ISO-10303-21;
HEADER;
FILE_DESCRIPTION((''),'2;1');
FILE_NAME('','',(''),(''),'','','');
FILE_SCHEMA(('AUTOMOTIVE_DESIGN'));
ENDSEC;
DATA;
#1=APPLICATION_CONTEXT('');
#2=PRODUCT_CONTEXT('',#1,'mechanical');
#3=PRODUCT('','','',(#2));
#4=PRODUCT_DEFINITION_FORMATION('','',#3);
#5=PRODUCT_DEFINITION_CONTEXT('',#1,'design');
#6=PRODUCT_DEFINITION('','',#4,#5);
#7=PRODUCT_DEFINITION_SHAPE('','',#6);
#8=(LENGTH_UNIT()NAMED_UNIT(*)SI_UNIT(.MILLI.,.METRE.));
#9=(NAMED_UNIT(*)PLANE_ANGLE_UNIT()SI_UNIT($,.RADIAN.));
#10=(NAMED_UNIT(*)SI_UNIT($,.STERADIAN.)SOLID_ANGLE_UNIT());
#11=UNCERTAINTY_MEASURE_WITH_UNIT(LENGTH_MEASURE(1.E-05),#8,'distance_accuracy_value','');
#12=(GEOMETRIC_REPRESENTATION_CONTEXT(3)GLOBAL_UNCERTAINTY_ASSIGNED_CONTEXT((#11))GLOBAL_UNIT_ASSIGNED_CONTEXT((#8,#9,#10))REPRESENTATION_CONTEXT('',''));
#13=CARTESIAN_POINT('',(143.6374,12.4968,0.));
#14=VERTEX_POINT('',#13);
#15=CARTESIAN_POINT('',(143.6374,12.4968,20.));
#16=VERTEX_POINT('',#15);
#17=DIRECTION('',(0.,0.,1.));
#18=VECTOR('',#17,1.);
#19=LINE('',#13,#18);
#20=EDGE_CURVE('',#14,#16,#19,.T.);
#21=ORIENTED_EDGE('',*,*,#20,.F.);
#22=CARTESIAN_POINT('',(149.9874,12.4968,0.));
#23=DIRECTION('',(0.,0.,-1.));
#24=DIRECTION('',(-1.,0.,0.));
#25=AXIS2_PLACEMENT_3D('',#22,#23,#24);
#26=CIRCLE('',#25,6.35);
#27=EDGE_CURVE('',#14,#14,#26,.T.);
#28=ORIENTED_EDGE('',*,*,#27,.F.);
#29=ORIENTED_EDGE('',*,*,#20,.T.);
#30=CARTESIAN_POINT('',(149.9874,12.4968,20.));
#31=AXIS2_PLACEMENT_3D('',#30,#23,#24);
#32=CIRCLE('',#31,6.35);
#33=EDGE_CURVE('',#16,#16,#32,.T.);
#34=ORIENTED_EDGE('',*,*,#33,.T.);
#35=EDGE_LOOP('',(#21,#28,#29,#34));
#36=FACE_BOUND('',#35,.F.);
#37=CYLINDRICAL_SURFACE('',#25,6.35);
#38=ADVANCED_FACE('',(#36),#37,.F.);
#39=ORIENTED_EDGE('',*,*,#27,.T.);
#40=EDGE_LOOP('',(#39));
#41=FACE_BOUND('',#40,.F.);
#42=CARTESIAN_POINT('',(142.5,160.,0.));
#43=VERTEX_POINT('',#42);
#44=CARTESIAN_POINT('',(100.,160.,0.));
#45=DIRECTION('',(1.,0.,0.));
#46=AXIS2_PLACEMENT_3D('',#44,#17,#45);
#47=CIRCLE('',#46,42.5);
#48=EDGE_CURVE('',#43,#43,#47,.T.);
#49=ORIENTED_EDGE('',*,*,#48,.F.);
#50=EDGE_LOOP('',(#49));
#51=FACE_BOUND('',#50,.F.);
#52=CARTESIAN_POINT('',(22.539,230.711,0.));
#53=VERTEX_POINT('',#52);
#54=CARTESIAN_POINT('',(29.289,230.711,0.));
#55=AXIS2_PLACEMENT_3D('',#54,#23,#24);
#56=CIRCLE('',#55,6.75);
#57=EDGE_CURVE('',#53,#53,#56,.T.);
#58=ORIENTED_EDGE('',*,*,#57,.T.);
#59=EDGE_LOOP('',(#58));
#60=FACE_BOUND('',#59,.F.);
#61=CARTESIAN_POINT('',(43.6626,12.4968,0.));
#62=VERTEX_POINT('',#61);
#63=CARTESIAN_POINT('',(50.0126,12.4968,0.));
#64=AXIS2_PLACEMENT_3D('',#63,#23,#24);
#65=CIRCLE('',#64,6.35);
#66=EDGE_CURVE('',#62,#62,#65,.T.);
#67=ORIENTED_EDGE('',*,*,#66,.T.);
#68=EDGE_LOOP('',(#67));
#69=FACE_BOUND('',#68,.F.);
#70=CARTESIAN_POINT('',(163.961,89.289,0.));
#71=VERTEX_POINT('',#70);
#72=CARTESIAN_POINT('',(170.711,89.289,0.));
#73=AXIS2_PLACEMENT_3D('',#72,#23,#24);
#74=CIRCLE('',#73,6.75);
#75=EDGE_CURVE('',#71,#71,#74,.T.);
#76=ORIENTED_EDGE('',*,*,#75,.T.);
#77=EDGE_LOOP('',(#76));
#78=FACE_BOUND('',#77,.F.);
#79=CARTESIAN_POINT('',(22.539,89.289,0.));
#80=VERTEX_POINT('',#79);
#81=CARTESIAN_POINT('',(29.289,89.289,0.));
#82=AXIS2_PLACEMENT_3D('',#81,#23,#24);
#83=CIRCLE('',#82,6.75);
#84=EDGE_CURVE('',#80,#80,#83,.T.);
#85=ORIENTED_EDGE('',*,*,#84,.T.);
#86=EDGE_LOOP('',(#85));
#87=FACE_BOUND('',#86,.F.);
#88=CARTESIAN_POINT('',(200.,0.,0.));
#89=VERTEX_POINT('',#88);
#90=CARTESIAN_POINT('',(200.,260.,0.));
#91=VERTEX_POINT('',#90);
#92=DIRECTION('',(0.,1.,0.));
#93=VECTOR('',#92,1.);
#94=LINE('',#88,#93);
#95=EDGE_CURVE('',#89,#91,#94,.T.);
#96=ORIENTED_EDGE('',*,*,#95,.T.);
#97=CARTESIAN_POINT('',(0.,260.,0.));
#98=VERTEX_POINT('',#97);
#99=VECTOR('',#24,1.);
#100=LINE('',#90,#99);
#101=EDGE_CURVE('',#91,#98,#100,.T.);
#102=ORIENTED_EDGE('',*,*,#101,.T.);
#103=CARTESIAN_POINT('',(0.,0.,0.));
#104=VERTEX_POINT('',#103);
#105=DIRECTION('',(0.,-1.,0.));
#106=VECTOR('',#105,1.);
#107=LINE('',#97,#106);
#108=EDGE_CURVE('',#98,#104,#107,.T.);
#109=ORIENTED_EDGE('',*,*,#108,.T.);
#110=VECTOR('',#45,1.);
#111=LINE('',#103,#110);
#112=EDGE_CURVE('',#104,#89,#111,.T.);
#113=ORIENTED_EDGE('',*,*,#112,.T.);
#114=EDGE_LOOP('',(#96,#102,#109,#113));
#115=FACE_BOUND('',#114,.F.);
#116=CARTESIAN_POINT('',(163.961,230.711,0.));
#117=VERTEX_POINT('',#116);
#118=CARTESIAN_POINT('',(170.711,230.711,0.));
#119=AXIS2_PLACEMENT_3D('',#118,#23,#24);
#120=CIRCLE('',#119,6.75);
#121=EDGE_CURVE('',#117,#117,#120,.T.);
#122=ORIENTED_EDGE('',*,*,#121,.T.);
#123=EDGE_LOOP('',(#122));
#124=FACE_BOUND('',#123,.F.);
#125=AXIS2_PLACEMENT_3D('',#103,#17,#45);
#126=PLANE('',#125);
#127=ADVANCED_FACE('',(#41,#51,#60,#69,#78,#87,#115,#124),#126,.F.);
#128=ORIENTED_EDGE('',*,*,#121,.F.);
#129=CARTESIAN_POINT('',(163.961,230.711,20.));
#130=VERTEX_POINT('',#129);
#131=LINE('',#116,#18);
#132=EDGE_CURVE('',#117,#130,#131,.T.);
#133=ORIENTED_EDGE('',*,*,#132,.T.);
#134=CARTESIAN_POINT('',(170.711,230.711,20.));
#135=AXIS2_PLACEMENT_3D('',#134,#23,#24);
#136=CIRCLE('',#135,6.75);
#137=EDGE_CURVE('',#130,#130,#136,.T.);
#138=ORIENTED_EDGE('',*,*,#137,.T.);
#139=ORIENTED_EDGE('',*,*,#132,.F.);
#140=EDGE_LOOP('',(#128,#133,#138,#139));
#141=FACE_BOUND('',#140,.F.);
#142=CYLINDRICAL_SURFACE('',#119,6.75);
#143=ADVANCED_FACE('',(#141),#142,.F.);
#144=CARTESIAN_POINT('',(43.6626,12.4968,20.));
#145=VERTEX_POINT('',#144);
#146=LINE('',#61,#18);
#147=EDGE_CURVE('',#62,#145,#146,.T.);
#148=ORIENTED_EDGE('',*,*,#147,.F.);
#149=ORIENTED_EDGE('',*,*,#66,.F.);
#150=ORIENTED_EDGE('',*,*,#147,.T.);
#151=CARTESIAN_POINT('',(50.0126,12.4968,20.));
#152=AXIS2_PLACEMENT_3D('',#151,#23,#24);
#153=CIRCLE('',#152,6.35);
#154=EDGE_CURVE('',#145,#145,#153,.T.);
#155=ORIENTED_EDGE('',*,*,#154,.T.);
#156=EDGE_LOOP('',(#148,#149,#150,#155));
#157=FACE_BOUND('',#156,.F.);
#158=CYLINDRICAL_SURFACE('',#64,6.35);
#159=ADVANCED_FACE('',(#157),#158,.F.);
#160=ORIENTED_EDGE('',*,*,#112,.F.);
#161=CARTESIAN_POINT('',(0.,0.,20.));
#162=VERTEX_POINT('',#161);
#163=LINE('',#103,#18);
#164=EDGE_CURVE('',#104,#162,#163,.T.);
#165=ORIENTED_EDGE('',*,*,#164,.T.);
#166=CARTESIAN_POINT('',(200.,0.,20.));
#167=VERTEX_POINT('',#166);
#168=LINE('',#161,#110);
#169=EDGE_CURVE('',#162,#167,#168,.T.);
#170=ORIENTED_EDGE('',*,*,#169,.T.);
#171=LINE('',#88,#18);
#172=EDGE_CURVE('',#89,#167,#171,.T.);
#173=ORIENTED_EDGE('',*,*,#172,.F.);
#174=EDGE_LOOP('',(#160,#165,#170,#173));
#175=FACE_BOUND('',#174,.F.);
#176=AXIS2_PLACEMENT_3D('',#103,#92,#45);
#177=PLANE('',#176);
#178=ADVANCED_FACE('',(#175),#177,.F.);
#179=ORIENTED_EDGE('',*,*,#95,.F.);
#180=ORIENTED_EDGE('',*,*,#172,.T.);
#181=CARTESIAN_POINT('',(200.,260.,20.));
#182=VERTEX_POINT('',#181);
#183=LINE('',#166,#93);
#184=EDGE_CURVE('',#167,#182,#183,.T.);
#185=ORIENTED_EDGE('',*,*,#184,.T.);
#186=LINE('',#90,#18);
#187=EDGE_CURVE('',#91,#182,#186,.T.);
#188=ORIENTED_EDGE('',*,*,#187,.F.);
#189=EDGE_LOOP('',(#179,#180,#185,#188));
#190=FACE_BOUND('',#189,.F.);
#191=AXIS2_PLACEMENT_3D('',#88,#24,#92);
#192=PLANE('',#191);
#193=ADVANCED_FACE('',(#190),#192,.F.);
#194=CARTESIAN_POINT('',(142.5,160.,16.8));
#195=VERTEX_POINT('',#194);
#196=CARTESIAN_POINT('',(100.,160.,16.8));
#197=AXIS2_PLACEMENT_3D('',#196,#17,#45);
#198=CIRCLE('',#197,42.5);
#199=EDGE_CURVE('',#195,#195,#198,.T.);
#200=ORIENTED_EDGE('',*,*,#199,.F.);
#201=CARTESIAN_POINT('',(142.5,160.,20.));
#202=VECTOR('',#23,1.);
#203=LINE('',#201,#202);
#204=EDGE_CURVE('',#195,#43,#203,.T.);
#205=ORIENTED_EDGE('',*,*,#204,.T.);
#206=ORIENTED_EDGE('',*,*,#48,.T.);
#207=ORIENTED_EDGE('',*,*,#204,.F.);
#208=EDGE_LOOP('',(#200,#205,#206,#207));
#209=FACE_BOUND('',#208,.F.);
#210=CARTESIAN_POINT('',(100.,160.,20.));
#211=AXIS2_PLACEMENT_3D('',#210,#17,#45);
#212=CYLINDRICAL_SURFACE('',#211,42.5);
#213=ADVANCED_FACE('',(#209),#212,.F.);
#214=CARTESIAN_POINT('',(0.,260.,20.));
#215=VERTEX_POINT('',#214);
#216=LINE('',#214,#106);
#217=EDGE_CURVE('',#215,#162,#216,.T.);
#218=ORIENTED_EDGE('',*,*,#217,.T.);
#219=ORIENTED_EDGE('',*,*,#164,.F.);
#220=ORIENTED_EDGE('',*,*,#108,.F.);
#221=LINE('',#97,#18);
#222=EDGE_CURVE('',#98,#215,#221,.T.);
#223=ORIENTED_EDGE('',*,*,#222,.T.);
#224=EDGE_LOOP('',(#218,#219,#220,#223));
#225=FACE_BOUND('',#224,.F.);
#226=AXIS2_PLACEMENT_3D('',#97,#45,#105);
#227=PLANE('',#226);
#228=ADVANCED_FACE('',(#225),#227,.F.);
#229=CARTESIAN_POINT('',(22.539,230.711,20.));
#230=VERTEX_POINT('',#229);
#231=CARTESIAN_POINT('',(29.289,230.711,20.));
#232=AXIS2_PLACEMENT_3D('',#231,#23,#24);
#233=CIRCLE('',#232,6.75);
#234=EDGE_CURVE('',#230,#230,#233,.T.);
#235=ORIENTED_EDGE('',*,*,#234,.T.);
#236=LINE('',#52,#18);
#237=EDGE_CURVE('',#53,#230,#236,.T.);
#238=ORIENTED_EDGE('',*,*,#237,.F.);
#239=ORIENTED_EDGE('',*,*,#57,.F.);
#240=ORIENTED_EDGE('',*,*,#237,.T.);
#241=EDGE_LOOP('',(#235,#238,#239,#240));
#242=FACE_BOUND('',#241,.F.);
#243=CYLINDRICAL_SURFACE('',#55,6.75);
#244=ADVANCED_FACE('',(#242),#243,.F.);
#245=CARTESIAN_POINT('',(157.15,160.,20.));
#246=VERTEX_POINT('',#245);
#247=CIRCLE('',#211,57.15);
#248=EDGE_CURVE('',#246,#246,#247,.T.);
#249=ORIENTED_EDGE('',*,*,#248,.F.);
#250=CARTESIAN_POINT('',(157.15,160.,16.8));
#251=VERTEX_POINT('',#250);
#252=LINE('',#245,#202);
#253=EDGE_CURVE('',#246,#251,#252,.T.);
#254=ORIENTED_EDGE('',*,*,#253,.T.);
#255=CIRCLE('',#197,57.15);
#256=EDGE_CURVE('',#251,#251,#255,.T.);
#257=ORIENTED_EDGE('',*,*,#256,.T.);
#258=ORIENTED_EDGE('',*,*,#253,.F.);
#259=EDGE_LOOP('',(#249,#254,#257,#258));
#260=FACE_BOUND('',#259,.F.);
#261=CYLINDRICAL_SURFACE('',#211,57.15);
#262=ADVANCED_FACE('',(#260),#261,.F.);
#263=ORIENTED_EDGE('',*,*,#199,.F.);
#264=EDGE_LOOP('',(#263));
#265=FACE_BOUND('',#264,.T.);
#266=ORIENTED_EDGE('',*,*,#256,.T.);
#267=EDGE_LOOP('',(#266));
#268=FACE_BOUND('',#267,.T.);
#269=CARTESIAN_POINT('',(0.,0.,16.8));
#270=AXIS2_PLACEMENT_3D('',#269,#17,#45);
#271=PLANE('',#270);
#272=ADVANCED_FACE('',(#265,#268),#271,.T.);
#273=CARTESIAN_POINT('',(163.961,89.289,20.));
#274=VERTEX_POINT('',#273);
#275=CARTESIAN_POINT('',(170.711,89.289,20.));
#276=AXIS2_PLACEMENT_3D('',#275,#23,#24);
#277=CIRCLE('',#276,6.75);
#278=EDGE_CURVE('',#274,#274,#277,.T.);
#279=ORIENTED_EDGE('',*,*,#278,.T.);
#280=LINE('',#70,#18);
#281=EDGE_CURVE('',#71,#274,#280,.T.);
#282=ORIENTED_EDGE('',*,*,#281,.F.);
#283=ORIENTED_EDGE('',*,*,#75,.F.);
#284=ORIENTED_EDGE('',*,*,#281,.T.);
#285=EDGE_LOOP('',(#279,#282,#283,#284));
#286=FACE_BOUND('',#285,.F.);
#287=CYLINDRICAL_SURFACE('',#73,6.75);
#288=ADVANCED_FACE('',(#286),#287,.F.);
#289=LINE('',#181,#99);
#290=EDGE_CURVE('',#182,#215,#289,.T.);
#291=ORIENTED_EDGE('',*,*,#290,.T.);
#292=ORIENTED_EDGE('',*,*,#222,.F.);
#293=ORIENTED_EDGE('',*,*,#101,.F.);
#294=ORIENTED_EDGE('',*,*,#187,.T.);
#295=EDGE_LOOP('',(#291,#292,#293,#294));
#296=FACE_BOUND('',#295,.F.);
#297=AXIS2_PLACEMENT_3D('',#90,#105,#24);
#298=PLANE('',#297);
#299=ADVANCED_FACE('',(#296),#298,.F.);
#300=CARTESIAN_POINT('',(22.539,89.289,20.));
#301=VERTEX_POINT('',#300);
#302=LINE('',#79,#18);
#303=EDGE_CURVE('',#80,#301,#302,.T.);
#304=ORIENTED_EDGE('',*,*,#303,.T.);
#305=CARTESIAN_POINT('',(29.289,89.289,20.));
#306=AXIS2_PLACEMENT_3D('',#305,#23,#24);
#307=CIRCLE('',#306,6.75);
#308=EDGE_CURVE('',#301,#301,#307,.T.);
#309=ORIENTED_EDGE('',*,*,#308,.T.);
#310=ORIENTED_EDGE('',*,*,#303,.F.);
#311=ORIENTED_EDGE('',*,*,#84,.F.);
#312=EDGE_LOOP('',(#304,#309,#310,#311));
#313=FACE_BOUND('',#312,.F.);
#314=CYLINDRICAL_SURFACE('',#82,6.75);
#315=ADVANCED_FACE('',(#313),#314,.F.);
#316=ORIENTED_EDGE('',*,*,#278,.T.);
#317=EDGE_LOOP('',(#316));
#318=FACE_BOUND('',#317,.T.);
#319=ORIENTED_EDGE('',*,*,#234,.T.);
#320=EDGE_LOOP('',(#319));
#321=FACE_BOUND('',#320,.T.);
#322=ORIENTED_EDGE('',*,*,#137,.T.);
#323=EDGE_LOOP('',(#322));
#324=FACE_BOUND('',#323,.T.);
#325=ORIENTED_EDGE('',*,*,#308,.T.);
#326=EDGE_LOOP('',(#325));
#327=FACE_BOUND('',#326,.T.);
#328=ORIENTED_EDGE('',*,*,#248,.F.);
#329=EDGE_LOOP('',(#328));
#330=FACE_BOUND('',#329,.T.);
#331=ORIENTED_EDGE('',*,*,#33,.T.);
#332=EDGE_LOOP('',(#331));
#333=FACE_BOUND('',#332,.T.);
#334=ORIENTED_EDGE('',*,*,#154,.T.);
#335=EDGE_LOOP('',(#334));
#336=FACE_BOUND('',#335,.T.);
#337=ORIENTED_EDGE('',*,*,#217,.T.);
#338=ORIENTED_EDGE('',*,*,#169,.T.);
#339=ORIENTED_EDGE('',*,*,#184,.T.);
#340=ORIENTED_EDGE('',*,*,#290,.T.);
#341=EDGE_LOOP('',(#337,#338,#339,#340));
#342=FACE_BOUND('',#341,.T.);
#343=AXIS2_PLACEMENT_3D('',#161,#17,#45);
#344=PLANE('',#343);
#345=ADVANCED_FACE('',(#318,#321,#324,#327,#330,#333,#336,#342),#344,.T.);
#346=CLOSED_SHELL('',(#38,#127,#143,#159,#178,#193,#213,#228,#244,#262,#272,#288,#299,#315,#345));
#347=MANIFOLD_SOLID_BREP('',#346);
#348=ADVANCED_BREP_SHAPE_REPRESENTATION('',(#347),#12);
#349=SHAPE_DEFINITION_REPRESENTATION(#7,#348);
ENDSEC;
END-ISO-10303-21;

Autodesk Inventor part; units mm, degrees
ref_plane "YZ Plane" through (0, 0, 0) normal (1, 0, 0) x (0, 1, 0)
ref_plane "XZ Plane" through (0, 0, 0) normal (0, 1, 0) x (-1, 0, 0)
ref_plane "XY Plane" through (0, 0, 0) normal (0, 0, 1) x (1, 0, 0)
sketch "Sketch1" plane through (0, 0, 0) normal (0, 0, 1) x (1, 0, 0)
  line L0 (0, 0) -> (200, 0)
  line L1 (200, 0) -> (200, 260)
  line L2 (200, 260) -> (0, 260)
  line L3 (0, 260) -> (0, 0)
  dimension "d0" = 200
  dimension "d1" = 260
extrude "Extrusion1" add sketch "Sketch1" along normal blind 20
sketch "Sketch2" plane through (0, 0, 20) normal (0, 0, 1) x (1, 0, 0)
  circle A0 centre (100, 160) radius 42.5
  line L0 (200, 260) -> (0, 260) projected
  line L1 (0, 260) -> (0, 0) projected
  dimension "d4" = 85
  dimension "d5" = 100
  dimension "d6" = 100
extrude "Extrusion2" cut sketch "Sketch2" against normal blind 30
sketch "Sketch6" plane through (0, 0, 0) normal (0, 0, -1) x (-1, 0, 0)
  circle A0 centre (-29.289, 230.711) radius 6.75
  circle A1 centre (-170.711, 230.711) radius 6.75
  circle A2 centre (-170.711, 89.289) radius 6.75
  circle A3 centre (-29.289, 89.289) radius 6.75
  circle A4 centre (-100, 160) radius 42.5 projected
  circle A5 centre (-50.0126, 12.4968) radius 6.35
  circle A6 centre (-149.9874, 12.4968) radius 6.35
  line L0 (-200, 0) -> (-200, 260) projected
  line L1 (0, 260) -> (0, 0) projected
  line L2 (0, 0) -> (-200, 0) projected
  dimension "d18" = 70.711
  dimension "d19" = 70.711
  dimension "d20" = 70.711
  dimension "d21" = 70.711
  dimension "d22" = 70.711
  dimension "d23" = 70.711
  dimension "d24" = 70.711
  dimension "d25" = 70.711
  dimension "d26" = 13.5
  dimension "d27" = 13.5
  dimension "d28" = 13.5
  dimension "d29" = 13.5
  dimension "d57" = 12.7
  dimension "d58" = 12.7
  dimension "d59" = 50.0126
  dimension "d60" = 50.0126
  dimension "d61" = 12.4968
  dimension "d62" = 12.4968
extrude "Extrusion6" cut sketch "Sketch6" against normal blind 20 contours A0 | A1 | A2 | A3 | A5 | A6
sketch "Sketch12" plane through (0, 0, 20) normal (0, 0, 1) x (1, 0, 0)
  circle A0 centre (100, 160) radius 42.5 projected
  circle A1 centre (100, 160) radius 57.15
  point P0 (0, 0)
  dimension "d66" = 114.3
extrude "Extrusion11" cut sketch "Sketch12" against normal blind 3.2 contours A0 | A1
equation "\"d19\" = d18"
equation "\"d20\" = d18"
equation "\"d21\" = d19"
equation "\"d22\" = d20"
equation "\"d23\" = d22"
equation "\"d24\" = d23"
equation "\"d25\" = d23"
equation "\"d58\" = d57"
properties part number "FloorMount"
